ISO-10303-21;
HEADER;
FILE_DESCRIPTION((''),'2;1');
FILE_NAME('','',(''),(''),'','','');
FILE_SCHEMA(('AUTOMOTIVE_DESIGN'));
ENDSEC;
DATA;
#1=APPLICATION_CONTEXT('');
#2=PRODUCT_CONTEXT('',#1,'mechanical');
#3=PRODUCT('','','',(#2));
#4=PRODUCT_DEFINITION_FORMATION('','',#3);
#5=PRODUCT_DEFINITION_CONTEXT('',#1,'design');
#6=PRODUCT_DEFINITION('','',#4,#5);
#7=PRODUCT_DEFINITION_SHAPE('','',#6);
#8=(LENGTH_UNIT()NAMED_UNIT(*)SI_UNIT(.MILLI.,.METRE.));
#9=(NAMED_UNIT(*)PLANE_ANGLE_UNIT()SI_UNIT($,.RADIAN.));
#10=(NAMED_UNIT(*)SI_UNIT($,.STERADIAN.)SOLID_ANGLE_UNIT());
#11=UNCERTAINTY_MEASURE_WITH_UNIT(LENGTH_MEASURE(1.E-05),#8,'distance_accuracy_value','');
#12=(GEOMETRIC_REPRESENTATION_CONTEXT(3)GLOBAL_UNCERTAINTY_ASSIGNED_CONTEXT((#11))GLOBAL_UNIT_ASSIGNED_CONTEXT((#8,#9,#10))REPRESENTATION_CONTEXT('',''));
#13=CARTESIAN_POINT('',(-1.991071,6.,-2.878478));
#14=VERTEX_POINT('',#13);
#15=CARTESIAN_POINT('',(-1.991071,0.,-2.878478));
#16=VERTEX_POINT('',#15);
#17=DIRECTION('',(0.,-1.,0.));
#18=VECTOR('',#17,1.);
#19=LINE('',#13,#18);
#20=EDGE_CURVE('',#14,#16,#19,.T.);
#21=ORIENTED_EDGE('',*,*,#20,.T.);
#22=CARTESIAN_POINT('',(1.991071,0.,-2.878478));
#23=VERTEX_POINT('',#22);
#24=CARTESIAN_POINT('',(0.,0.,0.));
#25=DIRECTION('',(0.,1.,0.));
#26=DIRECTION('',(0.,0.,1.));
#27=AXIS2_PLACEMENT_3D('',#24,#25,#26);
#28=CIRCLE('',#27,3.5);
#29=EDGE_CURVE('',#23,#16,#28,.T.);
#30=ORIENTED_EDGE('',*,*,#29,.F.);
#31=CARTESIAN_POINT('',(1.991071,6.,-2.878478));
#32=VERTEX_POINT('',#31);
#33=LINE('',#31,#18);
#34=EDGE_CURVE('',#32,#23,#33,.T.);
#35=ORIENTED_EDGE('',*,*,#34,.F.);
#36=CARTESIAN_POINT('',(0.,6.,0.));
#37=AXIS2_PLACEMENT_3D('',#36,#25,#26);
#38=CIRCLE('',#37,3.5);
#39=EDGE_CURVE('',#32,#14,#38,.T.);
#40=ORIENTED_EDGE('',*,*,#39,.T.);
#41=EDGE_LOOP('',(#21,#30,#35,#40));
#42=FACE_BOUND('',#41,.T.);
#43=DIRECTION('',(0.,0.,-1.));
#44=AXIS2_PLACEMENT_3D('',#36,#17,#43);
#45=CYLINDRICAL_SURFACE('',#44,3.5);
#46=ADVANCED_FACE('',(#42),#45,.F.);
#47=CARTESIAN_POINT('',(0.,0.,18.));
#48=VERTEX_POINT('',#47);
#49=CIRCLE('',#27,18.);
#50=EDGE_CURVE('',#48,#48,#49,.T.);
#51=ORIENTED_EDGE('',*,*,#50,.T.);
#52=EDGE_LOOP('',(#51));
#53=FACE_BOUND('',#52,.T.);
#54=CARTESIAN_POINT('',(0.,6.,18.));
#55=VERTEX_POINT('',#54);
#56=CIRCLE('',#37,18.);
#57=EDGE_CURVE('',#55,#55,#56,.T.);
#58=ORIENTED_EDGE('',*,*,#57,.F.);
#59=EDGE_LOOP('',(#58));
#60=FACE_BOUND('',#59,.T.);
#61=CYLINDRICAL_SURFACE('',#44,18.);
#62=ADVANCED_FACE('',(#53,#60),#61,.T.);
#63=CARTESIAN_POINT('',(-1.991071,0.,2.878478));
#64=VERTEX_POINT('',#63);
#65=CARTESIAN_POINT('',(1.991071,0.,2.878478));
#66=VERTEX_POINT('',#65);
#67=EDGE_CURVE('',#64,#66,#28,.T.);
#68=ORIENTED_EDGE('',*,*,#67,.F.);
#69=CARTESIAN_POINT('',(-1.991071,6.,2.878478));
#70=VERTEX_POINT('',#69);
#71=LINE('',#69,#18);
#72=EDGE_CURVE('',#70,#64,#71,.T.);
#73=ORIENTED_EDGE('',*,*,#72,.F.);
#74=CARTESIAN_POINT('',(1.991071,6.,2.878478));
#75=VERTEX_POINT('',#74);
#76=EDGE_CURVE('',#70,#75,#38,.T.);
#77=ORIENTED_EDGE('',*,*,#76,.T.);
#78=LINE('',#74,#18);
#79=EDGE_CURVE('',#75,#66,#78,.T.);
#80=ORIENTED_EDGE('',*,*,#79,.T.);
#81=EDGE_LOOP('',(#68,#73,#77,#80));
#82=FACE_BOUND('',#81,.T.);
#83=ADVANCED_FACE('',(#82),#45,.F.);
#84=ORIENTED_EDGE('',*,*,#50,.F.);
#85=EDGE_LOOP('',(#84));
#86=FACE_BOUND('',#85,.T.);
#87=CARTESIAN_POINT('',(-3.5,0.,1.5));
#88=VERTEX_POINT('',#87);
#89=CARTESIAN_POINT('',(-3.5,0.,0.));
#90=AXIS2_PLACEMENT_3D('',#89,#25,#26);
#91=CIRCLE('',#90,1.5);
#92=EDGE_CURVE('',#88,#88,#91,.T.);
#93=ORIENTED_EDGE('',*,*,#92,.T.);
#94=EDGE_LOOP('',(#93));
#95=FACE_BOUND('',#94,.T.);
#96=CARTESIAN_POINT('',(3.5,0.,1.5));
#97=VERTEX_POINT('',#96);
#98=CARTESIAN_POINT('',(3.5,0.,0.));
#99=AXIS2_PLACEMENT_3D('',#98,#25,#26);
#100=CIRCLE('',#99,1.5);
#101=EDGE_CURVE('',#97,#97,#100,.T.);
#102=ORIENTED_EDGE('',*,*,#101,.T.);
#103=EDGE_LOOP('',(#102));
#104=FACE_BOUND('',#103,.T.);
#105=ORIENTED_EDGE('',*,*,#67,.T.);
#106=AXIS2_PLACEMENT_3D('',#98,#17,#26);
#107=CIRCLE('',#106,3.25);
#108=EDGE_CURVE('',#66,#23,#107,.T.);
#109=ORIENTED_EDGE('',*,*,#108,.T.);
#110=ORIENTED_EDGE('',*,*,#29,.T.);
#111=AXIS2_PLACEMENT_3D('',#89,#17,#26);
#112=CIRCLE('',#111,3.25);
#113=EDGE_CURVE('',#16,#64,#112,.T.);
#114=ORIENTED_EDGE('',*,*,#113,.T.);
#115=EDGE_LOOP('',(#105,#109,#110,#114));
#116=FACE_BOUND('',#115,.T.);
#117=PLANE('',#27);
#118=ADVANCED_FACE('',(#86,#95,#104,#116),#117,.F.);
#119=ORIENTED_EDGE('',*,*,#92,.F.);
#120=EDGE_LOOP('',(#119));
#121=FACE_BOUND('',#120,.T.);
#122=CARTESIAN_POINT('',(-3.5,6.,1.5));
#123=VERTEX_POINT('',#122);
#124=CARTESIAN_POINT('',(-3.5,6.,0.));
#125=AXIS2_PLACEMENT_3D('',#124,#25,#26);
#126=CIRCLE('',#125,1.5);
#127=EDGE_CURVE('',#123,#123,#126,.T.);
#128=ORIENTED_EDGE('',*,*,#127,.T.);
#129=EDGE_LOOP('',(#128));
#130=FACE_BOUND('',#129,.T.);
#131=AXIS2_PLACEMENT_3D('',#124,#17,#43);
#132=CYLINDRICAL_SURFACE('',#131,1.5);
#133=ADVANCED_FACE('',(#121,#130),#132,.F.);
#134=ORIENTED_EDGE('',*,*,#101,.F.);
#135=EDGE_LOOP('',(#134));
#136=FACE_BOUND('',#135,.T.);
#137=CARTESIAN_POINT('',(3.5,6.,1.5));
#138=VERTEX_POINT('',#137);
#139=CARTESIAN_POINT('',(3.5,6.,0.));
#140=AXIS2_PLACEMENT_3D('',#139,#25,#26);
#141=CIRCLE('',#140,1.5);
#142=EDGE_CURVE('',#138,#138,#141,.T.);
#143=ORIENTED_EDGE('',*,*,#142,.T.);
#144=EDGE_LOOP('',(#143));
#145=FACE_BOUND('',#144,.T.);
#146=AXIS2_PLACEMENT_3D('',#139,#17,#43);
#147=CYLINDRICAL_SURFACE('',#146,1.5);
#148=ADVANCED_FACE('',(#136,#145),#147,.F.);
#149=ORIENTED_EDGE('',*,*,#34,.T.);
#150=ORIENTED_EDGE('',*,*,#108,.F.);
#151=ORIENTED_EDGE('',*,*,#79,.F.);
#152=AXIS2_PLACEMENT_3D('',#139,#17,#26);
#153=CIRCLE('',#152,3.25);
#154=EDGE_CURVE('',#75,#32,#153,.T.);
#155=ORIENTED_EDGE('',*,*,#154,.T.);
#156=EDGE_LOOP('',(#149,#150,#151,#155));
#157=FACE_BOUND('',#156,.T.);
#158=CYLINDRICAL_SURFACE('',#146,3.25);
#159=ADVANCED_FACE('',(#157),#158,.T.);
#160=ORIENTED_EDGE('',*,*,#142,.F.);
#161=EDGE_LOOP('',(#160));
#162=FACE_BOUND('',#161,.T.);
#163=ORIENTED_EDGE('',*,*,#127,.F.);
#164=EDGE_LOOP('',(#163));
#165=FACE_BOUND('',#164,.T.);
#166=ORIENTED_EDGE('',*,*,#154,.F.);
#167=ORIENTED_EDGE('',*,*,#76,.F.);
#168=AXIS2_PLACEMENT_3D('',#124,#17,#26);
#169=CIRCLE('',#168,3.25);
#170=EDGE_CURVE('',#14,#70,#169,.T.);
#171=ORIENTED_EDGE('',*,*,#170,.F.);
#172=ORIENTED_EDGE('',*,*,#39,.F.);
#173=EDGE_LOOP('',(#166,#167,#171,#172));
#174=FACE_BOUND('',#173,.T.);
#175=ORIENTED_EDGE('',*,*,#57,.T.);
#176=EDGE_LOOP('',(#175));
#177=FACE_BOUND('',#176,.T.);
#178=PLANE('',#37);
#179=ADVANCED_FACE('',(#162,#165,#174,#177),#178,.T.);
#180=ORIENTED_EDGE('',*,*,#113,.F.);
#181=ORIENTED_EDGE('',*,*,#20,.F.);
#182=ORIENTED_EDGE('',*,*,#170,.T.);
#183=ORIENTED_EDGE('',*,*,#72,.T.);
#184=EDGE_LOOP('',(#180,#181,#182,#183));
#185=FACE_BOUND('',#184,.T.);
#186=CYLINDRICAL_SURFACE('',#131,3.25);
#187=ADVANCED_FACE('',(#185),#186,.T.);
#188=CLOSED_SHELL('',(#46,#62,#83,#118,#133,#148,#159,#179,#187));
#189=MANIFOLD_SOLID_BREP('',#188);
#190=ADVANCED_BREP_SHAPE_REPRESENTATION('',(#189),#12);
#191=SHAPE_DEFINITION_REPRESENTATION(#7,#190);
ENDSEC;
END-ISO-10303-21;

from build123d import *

# Parameters (mm, degrees)
ESQUISSE1_R        = 18
ESQUISSE1_R_2      = 1.5
BOSS_EXTRU_1_DEPTH = 6


with BuildPart() as part:
    # Esquisse1 → Boss.-Extru.1 (new body)
    with BuildSketch(Plane(origin=(0, 0, 0), x_dir=(1, 0, 0), z_dir=(0, 1, 0))):
        Circle(ESQUISSE1_R)
        with Locations((-3.5, 0)):
            Circle(ESQUISSE1_R_2, mode=Mode.SUBTRACT)
        with Locations((3.5, 0)):
            Circle(ESQUISSE1_R_2, mode=Mode.SUBTRACT)
        with BuildLine():
            ThreePointArc((1.991071429, 2.878477821), (0.25, 0), (1.991071429, -2.878477821))
            ThreePointArc((1.991071429, -2.878477821), (0, -3.5), (-1.991071429, -2.878477821))
            ThreePointArc((-1.991071429, -2.878477821), (-0.25, 0), (-1.991071429, 2.878477821))
            ThreePointArc((-1.991071429, 2.878477821), (0, 3.5), (1.991071429, 2.878477821))
        make_face(mode=Mode.SUBTRACT)
    extrude(amount=BOSS_EXTRU_1_DEPTH)


solid = part.part
